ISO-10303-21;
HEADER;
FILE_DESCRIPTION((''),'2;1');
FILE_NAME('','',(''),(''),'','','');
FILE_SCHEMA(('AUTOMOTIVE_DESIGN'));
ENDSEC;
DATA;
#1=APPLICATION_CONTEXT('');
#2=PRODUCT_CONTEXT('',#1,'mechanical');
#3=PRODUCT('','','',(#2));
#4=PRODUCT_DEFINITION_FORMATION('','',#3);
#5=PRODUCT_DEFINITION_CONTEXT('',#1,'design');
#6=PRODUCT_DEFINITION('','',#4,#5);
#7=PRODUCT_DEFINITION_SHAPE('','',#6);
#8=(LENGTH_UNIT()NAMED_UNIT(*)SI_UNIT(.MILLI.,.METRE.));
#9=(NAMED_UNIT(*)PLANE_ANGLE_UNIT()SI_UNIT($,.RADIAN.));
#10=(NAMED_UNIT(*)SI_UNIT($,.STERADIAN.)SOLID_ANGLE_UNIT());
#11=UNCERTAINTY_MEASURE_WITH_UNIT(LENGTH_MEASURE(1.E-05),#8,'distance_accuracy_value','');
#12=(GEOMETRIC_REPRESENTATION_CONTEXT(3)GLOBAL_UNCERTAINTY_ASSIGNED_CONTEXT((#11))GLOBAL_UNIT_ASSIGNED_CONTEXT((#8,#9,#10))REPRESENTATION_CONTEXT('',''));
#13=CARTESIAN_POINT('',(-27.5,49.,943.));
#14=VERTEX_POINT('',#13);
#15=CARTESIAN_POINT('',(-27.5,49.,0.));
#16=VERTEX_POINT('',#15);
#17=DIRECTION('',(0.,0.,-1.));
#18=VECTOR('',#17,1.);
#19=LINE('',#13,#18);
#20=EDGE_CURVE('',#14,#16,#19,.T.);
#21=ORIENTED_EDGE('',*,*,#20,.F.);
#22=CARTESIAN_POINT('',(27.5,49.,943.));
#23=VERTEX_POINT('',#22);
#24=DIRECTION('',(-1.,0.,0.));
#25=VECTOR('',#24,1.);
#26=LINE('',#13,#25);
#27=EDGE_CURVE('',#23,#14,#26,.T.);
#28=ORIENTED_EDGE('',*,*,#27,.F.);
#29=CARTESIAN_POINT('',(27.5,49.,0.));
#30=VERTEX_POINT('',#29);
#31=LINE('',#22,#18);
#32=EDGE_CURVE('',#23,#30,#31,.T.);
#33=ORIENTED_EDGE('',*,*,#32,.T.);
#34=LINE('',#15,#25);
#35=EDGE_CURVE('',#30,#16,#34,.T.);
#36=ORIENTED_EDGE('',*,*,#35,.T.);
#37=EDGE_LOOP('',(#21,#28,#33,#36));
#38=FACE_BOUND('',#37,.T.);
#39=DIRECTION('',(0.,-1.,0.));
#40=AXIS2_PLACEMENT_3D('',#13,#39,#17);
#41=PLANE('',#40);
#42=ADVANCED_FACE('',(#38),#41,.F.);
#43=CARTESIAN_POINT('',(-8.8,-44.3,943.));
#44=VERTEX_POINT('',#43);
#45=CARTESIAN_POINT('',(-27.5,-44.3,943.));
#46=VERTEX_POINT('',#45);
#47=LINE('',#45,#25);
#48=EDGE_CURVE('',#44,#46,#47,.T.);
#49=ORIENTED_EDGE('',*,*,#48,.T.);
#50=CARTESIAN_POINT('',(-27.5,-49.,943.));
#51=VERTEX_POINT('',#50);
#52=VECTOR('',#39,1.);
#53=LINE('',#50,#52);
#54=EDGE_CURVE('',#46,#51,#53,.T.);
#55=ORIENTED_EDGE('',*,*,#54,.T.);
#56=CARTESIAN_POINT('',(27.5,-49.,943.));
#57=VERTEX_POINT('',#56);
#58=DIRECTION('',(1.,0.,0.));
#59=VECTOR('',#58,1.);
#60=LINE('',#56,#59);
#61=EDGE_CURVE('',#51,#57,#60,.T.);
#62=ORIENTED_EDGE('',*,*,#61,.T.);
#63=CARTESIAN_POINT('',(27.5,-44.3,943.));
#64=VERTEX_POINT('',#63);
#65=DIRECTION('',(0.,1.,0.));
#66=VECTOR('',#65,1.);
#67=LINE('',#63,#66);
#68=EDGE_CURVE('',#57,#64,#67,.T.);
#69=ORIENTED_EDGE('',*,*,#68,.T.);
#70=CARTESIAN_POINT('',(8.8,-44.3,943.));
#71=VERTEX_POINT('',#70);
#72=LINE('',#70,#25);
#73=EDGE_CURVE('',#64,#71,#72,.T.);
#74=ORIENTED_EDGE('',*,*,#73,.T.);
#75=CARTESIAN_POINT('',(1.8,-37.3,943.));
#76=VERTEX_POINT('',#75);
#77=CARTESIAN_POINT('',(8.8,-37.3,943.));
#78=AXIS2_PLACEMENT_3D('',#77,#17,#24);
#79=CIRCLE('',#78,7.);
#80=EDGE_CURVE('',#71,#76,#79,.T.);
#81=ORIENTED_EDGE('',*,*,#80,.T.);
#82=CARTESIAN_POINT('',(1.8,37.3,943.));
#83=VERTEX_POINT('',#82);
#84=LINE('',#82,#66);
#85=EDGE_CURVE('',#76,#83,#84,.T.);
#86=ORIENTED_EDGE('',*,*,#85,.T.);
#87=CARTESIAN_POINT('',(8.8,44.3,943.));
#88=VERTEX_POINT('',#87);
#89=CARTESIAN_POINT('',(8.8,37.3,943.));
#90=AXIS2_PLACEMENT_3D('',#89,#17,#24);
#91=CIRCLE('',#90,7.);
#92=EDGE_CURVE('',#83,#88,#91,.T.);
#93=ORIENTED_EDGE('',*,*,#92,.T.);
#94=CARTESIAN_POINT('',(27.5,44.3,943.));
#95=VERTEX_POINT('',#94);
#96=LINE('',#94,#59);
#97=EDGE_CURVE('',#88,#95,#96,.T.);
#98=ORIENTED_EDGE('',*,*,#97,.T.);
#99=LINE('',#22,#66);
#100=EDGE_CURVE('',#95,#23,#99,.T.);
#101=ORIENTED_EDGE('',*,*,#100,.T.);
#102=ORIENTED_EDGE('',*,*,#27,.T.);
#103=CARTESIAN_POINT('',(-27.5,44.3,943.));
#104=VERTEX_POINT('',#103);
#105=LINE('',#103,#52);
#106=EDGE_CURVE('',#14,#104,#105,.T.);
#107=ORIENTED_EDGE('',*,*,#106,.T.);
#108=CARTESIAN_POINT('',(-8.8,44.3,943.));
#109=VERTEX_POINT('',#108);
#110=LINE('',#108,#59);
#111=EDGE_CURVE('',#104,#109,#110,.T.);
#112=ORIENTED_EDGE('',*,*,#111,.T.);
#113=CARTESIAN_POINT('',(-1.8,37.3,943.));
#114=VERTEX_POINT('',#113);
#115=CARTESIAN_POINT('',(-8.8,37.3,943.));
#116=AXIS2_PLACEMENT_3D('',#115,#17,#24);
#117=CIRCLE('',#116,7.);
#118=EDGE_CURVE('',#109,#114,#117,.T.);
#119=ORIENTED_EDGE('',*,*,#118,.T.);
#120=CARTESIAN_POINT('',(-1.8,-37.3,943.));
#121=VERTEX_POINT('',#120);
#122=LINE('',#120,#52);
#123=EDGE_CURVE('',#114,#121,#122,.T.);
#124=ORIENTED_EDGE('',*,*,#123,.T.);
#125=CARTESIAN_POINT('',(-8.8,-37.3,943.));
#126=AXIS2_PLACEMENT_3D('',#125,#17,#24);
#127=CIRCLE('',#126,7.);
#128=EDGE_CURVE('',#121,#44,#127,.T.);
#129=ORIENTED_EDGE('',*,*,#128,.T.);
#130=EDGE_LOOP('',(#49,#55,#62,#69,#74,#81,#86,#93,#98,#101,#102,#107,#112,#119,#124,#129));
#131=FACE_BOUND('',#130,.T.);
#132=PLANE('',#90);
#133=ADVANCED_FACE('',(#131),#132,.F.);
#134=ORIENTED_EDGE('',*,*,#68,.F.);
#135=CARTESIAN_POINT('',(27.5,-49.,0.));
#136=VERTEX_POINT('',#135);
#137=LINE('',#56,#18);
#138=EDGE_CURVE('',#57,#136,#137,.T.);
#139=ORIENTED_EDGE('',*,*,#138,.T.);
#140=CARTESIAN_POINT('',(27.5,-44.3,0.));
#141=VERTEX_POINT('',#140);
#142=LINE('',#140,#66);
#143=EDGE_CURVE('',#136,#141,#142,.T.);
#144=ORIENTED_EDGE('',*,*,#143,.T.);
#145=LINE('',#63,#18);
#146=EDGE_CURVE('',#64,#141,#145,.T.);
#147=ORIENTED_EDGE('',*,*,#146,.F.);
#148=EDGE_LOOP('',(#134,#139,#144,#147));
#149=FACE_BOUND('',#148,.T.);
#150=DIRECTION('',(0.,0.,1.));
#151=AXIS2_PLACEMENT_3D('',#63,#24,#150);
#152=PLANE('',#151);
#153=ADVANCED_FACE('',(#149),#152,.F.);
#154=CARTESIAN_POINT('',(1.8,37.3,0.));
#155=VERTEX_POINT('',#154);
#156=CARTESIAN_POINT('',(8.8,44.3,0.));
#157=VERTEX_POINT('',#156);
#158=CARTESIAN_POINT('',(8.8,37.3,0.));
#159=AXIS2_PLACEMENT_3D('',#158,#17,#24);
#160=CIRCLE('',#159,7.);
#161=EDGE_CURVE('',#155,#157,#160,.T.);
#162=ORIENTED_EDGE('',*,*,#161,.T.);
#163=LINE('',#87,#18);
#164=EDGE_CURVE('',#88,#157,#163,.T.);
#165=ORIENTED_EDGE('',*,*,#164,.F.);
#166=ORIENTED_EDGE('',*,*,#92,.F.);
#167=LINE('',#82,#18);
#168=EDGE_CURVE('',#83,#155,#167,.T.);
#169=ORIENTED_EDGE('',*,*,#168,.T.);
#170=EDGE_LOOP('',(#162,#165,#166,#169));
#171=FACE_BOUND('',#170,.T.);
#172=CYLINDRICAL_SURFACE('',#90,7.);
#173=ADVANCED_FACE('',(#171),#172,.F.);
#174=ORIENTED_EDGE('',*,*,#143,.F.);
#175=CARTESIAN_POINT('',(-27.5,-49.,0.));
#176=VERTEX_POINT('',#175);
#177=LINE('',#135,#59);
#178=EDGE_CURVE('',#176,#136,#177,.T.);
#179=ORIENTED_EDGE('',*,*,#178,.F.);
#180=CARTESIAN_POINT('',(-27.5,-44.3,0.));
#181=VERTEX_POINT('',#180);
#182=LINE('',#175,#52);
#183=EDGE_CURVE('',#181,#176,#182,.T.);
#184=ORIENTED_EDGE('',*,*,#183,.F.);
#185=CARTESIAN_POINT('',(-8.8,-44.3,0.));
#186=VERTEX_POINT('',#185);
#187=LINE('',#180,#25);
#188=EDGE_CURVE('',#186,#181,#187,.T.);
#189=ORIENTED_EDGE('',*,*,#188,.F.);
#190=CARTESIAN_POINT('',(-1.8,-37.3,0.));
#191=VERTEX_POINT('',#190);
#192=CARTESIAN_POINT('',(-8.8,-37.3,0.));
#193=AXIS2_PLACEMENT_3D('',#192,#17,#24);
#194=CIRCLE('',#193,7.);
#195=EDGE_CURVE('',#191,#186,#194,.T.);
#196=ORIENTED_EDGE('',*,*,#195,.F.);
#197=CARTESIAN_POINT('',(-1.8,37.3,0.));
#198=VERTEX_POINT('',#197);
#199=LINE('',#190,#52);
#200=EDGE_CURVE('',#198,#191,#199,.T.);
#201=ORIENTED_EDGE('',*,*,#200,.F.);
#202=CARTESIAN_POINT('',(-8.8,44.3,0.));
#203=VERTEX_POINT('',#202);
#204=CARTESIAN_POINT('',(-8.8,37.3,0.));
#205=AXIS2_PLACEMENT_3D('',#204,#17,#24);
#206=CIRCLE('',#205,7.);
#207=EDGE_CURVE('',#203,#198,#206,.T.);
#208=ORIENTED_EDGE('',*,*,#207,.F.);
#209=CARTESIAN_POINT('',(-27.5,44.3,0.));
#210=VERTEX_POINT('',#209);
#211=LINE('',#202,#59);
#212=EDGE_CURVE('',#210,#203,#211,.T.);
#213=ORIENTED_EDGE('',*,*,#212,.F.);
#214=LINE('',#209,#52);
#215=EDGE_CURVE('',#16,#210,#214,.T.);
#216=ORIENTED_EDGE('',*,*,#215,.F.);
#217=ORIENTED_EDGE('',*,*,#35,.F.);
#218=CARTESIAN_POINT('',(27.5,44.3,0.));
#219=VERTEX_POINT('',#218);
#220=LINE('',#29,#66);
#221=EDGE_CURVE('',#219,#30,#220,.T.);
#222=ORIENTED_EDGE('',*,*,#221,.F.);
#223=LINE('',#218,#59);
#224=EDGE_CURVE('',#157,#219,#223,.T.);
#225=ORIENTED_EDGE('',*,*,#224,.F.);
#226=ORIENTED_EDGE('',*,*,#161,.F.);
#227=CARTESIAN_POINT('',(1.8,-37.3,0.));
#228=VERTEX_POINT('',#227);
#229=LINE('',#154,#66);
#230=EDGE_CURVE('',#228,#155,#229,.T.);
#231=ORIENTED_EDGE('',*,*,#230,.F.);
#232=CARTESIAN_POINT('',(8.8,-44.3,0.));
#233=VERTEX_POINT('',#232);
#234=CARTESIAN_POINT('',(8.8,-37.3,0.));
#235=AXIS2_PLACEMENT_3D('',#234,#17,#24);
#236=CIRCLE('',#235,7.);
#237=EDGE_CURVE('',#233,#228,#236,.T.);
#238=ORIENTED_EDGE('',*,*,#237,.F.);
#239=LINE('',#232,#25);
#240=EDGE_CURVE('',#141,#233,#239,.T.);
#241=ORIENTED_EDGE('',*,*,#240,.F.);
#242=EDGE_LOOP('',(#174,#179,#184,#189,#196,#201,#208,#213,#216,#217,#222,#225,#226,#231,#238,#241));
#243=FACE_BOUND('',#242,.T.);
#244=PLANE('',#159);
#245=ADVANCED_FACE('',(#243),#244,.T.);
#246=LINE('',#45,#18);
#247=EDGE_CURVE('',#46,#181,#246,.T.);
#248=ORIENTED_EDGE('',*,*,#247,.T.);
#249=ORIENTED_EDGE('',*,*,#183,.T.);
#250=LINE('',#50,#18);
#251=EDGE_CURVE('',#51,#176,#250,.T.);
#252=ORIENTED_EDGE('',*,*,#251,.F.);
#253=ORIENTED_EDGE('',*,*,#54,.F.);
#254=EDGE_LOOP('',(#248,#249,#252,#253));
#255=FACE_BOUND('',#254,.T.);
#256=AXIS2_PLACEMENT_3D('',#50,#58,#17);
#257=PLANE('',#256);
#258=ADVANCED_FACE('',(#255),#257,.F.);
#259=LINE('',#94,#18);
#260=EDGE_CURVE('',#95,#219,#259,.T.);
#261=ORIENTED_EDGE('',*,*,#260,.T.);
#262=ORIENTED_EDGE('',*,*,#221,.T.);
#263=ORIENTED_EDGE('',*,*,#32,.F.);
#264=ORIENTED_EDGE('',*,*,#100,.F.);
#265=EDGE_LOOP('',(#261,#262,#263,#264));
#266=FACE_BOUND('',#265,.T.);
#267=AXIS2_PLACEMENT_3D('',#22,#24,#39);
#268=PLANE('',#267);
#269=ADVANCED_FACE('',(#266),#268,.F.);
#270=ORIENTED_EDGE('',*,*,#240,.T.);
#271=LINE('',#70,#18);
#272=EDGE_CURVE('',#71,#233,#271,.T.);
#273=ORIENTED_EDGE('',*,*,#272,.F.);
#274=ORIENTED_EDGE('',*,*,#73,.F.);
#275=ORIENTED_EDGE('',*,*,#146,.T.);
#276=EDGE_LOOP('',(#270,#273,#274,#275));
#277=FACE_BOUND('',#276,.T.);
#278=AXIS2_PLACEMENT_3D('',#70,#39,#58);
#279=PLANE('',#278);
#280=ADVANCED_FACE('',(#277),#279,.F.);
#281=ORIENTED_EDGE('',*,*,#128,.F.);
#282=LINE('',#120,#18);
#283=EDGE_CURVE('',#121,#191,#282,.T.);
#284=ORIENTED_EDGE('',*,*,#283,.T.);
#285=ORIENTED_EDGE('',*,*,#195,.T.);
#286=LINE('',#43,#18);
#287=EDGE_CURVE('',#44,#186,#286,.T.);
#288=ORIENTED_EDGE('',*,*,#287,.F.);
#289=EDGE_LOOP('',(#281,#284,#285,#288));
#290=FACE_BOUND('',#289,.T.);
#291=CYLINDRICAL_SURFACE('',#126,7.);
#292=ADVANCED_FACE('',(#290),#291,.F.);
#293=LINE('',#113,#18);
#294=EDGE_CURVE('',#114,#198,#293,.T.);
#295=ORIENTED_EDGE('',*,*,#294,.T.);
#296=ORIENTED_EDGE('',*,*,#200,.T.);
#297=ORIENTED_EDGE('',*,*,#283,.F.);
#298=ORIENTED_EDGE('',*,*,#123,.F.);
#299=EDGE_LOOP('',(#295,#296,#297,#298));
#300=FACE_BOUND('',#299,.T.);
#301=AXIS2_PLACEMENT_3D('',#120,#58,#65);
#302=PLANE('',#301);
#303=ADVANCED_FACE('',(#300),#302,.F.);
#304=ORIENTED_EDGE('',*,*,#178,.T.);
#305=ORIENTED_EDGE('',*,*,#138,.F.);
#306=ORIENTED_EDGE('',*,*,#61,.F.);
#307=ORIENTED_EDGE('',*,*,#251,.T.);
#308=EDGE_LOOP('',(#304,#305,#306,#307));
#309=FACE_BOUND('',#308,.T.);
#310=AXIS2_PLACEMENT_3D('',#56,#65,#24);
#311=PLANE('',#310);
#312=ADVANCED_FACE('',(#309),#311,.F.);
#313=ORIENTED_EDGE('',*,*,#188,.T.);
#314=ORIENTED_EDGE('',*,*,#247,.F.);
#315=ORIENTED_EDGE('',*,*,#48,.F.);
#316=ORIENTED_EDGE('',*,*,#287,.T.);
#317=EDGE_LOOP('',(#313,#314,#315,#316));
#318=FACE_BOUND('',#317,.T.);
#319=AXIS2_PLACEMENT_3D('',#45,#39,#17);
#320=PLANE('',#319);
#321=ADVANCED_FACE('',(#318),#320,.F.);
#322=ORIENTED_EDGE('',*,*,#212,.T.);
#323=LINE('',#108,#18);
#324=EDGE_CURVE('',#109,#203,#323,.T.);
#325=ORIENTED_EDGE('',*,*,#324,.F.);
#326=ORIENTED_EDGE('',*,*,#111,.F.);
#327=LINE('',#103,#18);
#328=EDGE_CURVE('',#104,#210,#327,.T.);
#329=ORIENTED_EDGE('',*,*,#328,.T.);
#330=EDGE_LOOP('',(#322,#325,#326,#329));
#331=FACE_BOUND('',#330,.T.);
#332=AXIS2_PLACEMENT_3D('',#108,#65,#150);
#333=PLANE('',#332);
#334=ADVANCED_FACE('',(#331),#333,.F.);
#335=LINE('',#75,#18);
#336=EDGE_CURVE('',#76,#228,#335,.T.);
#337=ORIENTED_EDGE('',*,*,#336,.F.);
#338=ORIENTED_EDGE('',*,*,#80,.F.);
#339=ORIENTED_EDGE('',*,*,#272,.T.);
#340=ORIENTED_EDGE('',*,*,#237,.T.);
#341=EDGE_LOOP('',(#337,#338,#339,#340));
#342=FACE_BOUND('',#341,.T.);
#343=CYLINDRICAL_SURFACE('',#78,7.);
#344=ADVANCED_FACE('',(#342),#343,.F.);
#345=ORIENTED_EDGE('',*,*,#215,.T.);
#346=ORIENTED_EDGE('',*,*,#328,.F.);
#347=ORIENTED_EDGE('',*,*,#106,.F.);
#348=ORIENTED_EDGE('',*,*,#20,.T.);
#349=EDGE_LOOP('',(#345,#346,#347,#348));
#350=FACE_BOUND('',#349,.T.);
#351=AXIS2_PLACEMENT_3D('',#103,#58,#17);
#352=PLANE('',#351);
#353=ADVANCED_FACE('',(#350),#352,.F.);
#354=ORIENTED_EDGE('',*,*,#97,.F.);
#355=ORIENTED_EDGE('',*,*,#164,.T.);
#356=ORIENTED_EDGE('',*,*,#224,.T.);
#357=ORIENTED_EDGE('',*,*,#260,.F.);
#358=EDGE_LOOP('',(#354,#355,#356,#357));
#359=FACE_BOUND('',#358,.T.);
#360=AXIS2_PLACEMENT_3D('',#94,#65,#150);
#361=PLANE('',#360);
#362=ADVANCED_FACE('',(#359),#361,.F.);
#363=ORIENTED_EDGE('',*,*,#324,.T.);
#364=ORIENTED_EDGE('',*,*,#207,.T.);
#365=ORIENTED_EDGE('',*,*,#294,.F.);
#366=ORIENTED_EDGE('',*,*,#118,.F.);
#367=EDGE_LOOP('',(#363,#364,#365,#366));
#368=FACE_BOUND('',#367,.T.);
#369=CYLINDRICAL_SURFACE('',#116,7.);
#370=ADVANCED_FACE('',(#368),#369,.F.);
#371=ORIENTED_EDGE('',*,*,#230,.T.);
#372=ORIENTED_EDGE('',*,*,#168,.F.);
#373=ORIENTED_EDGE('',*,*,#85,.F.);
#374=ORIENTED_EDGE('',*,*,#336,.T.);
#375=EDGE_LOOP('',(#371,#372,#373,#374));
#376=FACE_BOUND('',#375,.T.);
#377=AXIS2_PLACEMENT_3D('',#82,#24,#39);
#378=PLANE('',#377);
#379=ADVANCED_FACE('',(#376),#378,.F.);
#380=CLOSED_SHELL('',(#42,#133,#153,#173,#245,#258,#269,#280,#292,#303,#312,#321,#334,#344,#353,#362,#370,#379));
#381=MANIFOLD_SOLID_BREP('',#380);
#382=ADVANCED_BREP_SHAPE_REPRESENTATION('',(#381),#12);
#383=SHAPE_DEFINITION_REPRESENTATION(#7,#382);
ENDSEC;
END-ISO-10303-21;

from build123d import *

# Parameters (mm, degrees)
BOSS_EXTRUDE1_DEPTH = 943


with BuildPart() as part:
    # Sketch1 → Boss-Extrude1 (new body)
    with BuildSketch(Plane.XY):
        with BuildLine():
            Line((-27.5, 49), (27.5, 49))
            Line((27.5, 49), (27.5, 44.3))
            Line((27.5, 44.3), (8.8, 44.3))
            ThreePointArc((8.8, 44.3), (3.850252532, 42.249747468), (1.8, 37.3))
            Line((1.8, 37.3), (1.8, -37.3))
            ThreePointArc((1.8, -37.3), (3.850252532, -42.249747468), (8.8, -44.3))
            Line((8.8, -44.3), (27.5, -44.3))
            Line((27.5, -44.3), (27.5, -49))
            Line((27.5, -49), (-27.5, -49))
            Line((-27.5, -49), (-27.5, -44.3))
            Line((-27.5, -44.3), (-8.8, -44.3))
            ThreePointArc((-8.8, -44.3), (-3.850252532, -42.249747468), (-1.8, -37.3))
            Line((-1.8, -37.3), (-1.8, 37.3))
            ThreePointArc((-1.8, 37.3), (-3.850252532, 42.249747468), (-8.8, 44.3))
            Line((-8.8, 44.3), (-27.5, 44.3))
            Line((-27.5, 44.3), (-27.5, 49))
        make_face()
    extrude(amount=BOSS_EXTRUDE1_DEPTH)


solid = part.part
